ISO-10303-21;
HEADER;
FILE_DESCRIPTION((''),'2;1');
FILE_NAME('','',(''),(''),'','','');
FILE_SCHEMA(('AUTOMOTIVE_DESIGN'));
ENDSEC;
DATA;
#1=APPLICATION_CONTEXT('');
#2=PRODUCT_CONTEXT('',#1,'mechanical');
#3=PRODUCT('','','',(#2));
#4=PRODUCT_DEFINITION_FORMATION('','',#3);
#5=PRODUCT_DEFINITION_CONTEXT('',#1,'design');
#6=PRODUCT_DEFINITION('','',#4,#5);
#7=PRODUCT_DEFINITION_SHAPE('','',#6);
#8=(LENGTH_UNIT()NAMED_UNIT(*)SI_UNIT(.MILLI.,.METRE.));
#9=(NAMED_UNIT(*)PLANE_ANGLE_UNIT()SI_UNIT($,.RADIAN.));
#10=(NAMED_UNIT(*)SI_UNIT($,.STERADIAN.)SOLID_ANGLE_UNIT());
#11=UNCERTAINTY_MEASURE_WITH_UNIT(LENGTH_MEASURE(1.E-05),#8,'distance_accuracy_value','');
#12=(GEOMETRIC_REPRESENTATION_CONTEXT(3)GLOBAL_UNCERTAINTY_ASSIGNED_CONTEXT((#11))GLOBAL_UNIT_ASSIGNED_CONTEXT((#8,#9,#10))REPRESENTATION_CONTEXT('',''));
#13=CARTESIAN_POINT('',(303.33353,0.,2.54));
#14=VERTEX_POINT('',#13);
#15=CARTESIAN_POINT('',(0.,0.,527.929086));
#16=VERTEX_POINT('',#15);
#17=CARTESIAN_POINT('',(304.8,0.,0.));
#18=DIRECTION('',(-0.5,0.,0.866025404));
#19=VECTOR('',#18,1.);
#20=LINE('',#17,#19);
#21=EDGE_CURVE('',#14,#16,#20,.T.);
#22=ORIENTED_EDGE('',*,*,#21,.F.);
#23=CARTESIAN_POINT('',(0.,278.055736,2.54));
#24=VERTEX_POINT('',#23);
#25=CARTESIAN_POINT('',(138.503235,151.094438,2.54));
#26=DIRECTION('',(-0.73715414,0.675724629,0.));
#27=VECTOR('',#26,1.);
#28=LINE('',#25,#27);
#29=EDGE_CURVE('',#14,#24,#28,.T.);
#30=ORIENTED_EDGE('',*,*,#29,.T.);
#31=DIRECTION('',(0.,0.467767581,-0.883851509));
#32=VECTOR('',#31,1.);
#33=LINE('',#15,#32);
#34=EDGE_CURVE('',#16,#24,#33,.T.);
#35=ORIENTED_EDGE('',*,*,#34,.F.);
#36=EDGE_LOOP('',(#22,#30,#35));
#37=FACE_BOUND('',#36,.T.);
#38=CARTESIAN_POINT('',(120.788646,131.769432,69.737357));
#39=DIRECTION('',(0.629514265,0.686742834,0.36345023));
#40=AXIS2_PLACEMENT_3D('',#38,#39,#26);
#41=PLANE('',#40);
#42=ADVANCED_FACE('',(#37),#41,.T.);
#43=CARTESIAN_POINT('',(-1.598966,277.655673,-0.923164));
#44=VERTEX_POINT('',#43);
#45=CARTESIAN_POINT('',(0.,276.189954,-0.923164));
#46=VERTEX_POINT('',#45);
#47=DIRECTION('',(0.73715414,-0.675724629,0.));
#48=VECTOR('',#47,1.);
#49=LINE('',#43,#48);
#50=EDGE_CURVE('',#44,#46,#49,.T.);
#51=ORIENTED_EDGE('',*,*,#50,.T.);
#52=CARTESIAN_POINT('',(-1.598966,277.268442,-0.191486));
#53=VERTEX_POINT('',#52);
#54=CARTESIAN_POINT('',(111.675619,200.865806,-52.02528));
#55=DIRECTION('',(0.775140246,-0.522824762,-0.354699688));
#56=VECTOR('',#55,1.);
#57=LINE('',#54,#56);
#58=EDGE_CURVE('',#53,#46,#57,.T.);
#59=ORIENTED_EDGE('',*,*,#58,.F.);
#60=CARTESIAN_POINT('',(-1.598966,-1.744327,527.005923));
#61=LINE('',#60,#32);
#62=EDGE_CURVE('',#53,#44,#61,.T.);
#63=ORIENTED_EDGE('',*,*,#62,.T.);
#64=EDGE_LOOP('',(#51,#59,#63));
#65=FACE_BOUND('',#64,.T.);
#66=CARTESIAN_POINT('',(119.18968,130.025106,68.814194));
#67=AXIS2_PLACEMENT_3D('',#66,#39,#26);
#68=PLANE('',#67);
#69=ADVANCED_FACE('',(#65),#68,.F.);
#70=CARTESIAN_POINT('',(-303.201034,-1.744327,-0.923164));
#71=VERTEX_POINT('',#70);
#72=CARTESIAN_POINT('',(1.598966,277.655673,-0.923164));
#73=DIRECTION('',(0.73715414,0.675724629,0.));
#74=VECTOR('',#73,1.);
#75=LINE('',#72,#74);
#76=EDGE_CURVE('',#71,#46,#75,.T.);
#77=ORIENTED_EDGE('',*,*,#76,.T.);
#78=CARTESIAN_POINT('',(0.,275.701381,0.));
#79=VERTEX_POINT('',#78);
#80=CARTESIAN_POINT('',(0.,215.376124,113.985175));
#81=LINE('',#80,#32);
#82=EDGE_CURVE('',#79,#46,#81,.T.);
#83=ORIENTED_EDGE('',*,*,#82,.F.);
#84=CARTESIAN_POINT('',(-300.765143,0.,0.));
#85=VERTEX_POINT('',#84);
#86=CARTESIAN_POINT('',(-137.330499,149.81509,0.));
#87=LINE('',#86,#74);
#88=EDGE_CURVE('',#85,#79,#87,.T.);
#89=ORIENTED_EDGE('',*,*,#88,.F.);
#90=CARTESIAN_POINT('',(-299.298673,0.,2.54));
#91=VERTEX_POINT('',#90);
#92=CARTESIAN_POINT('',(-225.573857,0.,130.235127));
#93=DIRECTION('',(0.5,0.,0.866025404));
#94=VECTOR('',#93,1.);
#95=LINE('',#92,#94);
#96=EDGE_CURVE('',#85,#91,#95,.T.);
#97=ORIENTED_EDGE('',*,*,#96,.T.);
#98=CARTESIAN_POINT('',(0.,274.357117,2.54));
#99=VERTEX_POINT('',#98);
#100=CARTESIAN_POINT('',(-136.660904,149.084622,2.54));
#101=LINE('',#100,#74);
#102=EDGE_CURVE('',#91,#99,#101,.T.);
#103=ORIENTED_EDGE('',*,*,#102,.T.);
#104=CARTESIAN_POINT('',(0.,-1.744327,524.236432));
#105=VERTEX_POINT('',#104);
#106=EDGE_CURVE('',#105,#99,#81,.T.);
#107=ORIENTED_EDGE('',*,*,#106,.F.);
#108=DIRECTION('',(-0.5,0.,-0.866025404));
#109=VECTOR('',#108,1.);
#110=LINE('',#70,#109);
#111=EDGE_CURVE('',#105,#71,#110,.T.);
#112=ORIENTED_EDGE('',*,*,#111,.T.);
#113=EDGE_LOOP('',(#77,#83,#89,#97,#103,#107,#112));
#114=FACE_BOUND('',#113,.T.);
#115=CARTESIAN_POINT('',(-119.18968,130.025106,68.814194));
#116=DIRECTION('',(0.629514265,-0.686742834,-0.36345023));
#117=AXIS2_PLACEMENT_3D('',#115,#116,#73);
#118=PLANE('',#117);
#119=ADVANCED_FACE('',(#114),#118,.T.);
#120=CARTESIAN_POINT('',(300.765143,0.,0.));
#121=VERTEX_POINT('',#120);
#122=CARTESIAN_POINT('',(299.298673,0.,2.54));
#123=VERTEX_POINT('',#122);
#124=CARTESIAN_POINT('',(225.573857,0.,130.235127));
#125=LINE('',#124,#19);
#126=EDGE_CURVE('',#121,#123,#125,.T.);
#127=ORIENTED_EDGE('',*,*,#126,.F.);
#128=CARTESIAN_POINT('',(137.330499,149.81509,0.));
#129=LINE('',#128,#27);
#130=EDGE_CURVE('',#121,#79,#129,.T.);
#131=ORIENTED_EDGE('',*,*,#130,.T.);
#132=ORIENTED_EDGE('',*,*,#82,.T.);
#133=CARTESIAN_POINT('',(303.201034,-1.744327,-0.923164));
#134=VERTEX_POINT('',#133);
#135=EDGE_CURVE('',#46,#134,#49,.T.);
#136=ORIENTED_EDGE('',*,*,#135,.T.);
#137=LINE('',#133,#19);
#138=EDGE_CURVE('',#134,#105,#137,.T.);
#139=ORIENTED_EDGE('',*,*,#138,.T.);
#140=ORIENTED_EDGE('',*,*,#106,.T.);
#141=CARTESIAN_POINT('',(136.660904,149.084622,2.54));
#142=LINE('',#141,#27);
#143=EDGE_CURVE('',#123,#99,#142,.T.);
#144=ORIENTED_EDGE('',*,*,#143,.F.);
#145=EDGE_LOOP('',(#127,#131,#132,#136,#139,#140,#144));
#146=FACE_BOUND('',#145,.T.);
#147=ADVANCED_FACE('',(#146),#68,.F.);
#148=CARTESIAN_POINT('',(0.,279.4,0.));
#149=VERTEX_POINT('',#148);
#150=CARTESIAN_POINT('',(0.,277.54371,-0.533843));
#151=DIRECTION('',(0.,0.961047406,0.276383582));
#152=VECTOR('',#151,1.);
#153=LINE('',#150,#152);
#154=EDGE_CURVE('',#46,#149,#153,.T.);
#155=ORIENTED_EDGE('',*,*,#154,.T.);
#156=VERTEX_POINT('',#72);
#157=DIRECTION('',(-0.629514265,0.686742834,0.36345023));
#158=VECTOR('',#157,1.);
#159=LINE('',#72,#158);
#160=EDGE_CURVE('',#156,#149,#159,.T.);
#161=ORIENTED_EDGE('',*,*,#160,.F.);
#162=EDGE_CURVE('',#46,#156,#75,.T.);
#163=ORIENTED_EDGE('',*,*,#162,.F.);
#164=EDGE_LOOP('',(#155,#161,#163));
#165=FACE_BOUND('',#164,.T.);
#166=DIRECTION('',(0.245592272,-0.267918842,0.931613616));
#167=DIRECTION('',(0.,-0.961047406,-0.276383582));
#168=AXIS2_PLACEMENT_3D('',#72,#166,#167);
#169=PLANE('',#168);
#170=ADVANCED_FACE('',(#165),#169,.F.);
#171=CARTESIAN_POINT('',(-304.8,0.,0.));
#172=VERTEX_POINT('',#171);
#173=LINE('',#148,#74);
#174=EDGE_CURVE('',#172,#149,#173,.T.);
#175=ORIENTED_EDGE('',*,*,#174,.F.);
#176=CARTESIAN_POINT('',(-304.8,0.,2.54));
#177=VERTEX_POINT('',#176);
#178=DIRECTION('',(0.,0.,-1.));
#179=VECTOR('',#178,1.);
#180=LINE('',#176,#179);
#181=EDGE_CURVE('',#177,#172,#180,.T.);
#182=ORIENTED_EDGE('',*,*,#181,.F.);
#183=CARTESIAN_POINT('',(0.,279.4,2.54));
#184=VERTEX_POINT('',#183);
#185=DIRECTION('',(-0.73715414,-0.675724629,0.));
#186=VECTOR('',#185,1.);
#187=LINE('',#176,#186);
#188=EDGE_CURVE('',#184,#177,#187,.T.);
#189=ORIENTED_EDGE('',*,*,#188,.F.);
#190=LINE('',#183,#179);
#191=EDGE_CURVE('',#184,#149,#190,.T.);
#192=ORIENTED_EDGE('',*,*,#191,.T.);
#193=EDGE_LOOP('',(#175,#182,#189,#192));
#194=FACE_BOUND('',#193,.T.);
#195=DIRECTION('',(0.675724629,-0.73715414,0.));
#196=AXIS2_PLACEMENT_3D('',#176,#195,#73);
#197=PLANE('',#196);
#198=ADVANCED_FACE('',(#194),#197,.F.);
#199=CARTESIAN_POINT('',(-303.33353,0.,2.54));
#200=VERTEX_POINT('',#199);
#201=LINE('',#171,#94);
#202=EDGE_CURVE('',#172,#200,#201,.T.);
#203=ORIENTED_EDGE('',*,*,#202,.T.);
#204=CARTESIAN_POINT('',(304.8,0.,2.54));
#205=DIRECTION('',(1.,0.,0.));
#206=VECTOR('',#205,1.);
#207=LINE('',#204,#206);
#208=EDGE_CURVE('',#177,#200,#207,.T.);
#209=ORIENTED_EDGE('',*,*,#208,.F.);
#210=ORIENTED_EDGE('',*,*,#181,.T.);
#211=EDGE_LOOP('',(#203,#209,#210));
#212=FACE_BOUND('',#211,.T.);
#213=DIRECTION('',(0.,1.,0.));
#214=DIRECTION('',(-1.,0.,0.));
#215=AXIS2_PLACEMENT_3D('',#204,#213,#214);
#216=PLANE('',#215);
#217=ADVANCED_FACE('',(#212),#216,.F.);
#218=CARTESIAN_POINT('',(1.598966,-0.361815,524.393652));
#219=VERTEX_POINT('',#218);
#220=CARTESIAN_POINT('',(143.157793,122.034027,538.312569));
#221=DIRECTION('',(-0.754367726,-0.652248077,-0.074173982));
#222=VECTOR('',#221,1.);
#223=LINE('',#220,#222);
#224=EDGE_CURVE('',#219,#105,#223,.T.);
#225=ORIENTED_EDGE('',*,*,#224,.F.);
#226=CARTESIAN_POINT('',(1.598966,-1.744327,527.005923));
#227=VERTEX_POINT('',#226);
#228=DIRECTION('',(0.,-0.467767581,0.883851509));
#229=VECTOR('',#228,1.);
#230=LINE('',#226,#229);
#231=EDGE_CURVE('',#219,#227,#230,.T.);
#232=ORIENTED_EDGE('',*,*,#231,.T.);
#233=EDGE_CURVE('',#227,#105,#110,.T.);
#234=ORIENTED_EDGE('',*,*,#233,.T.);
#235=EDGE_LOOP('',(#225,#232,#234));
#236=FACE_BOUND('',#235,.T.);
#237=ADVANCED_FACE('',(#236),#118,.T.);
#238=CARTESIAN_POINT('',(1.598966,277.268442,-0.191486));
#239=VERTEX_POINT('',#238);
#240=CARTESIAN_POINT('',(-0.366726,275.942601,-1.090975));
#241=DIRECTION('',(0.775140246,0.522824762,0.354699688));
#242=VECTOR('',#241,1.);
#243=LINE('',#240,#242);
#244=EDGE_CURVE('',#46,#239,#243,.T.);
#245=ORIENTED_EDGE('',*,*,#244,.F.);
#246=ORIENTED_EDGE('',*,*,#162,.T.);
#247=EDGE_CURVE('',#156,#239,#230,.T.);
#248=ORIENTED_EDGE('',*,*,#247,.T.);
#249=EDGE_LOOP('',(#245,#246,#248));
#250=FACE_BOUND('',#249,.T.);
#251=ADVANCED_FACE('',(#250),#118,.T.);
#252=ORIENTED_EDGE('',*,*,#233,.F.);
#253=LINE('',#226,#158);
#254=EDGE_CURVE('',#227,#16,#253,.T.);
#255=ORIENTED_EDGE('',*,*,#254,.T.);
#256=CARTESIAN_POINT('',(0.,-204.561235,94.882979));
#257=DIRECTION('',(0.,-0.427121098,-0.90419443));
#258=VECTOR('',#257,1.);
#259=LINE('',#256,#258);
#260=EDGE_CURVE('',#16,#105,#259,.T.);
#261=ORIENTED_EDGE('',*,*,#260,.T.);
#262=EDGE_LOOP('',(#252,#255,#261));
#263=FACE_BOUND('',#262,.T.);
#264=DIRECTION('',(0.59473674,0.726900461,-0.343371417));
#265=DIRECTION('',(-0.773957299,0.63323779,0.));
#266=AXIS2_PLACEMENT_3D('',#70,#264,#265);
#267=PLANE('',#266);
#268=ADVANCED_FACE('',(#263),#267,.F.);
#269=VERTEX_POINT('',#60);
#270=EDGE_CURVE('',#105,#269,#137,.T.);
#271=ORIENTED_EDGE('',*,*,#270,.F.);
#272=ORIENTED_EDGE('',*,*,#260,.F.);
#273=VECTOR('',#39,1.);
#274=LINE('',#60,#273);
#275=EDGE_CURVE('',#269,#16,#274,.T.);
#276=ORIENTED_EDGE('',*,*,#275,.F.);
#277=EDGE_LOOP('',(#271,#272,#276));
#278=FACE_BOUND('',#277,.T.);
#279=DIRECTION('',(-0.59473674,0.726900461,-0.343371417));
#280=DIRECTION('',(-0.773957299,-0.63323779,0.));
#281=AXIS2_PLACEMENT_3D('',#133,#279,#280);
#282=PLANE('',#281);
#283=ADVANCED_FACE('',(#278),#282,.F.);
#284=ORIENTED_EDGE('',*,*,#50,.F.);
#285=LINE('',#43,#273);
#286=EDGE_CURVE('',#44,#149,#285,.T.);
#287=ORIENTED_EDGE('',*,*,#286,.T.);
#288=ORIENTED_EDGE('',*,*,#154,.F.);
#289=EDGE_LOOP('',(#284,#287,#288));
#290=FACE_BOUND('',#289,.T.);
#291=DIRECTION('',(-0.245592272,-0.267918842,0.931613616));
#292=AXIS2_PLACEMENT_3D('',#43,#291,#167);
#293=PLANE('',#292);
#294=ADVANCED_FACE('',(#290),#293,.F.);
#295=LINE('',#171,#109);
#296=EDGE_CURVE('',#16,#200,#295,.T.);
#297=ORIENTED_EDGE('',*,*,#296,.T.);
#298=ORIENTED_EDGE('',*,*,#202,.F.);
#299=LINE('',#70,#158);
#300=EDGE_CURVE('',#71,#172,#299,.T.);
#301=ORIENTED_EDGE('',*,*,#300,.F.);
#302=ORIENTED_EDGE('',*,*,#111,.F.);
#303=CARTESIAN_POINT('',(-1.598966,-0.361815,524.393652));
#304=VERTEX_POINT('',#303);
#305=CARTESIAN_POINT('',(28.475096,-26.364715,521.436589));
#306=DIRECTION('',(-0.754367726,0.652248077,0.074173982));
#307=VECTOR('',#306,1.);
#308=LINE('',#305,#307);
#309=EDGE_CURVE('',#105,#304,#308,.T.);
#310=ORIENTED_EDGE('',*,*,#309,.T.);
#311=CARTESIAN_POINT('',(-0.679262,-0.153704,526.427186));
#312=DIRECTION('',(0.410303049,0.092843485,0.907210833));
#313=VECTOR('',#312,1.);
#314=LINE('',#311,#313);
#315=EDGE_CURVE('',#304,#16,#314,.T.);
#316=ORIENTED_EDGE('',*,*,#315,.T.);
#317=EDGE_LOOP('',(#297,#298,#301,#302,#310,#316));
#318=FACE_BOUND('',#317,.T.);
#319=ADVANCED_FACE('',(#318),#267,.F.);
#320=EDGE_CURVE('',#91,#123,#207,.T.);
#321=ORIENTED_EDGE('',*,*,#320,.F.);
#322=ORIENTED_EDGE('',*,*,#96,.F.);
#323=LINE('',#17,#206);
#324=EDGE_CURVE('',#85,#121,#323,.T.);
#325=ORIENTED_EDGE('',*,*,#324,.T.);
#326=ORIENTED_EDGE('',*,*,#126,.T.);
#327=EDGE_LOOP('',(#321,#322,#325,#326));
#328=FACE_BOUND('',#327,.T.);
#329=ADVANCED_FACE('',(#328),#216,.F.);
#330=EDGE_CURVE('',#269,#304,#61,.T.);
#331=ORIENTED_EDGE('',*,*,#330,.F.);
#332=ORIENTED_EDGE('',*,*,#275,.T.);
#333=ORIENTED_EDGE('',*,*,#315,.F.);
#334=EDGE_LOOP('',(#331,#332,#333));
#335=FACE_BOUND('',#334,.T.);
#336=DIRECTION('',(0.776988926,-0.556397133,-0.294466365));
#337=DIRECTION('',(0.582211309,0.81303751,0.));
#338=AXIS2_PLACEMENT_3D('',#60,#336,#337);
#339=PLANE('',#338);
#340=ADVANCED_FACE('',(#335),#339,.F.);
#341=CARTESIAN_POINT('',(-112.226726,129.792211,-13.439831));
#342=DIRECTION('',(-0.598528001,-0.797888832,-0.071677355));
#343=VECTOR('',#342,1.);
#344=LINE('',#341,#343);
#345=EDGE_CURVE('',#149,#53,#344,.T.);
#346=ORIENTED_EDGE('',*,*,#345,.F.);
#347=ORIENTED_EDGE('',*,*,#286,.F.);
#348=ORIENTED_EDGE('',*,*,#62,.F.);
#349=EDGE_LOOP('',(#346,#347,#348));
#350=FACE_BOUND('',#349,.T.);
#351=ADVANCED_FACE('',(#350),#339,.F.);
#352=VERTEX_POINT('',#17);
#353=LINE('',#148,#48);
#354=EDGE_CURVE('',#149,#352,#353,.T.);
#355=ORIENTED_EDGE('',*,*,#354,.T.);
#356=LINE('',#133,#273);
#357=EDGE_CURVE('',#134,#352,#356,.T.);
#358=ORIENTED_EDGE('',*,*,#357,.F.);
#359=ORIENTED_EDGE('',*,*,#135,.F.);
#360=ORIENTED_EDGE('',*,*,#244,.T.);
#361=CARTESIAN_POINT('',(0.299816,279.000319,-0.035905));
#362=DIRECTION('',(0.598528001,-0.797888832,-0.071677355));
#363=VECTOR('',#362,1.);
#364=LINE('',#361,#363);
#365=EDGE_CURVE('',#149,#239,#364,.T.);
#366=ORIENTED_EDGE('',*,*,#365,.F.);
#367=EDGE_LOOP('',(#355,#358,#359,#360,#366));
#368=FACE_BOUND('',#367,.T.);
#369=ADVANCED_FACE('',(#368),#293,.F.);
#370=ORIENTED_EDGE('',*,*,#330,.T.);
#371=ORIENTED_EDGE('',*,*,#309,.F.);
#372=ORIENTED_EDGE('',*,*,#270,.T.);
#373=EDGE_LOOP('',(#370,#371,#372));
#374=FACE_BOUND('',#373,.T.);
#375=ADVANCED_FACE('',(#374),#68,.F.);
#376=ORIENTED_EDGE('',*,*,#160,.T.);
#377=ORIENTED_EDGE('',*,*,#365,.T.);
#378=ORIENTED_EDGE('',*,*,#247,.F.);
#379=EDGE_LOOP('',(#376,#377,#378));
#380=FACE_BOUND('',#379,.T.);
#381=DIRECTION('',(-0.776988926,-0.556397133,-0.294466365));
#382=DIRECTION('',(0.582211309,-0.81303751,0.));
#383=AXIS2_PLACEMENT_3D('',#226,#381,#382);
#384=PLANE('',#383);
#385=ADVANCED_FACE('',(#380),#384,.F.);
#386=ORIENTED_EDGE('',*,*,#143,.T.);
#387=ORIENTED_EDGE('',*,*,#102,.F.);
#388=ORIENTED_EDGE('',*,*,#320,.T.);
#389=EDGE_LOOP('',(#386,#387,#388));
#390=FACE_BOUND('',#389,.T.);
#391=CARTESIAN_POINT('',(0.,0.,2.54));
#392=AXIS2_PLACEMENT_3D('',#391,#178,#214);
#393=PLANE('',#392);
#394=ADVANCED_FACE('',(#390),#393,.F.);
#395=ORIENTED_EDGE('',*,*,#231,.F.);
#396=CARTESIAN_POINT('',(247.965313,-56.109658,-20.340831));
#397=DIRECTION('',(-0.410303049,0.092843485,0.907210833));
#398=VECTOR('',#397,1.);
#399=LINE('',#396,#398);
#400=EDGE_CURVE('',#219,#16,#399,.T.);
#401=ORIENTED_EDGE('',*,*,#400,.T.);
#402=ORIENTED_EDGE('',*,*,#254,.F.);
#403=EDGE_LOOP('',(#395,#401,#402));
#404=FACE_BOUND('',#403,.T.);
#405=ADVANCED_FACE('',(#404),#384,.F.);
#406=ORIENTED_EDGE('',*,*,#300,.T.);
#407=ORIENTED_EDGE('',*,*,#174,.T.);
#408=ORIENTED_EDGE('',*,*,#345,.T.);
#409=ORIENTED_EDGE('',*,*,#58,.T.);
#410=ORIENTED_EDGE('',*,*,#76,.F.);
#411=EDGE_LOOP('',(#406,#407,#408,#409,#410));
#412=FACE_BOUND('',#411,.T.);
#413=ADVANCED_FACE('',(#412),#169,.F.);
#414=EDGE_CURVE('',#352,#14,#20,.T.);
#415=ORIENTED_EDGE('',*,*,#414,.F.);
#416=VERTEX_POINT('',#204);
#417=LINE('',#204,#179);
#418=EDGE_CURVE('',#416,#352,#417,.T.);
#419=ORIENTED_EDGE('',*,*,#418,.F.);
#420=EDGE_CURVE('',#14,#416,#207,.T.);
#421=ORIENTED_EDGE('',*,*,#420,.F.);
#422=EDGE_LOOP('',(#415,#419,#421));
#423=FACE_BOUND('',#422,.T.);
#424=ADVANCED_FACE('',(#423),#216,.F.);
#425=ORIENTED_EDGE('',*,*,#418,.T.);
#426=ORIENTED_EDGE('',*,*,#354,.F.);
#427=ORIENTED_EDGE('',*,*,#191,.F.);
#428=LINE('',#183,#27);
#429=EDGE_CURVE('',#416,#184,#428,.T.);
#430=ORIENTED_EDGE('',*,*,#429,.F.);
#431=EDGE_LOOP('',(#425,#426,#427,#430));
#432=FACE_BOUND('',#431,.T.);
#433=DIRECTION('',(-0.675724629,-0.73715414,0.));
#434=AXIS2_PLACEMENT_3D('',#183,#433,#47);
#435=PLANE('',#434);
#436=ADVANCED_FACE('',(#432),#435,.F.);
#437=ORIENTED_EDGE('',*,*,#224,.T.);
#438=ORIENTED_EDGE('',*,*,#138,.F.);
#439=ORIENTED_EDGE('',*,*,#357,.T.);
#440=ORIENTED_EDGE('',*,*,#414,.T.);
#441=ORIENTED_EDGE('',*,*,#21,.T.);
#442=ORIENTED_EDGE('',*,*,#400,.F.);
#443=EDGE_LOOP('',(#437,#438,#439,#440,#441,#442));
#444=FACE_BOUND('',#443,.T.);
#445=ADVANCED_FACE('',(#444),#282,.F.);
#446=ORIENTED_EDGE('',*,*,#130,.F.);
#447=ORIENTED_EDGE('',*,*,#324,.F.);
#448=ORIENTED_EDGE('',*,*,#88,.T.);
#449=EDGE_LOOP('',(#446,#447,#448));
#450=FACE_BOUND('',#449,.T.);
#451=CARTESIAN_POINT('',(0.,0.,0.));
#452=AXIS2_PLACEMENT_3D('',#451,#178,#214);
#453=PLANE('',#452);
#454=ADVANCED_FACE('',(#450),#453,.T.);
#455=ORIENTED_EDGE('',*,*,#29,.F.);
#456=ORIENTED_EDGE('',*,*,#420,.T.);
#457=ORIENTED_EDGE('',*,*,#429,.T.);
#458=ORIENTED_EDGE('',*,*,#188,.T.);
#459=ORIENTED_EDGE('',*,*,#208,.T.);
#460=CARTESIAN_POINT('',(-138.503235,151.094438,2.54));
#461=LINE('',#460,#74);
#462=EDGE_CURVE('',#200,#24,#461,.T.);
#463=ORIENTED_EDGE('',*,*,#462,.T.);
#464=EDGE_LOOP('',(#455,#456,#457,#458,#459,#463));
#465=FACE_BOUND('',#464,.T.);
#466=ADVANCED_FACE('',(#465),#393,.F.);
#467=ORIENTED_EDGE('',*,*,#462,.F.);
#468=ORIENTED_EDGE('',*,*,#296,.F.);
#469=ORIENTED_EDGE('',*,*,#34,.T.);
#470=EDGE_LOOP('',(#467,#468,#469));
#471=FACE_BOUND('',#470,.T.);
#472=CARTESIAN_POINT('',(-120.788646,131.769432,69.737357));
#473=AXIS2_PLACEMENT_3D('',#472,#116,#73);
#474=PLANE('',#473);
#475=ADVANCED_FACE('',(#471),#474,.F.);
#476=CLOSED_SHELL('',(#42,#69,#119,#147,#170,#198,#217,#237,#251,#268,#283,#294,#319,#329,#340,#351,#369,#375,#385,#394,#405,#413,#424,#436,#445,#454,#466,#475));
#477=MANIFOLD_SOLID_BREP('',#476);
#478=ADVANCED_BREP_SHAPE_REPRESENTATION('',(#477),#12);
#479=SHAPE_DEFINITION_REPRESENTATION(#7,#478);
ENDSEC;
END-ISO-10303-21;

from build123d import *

# Parameters (mm, degrees)
BOSS_EXTRUDE1_DEPTH = 2.54
BOSS_EXTRUDE2_DEPTH = 2.54
BOSS_EXTRUDE3_DEPTH = 2.54


with BuildPart() as part:
    # Sketch6 → Boss-Extrude1 (new body)
    with BuildSketch(Plane(origin=(120.788646288, 131.769432314, 69.73735745), x_dir=(-0.7587184092087563, 0.44247091722357845, 0.47808562302066715), z_dir=(-0.6295142648161258, -0.6867428343448647, -0.3634502302502976))):
        Polygon((-231.257371127, -51.055743172), (252.395306061, -422.124803926), (123.626374272, 161.135037145), align=None)
    extrude(amount=BOSS_EXTRUDE1_DEPTH)

    # Sketch7 → Boss-Extrude2 (add)
    with BuildSketch(Plane(origin=(-120.788646288, 131.769432314, 69.73735745), x_dir=(-0.7587184092087562, -0.4424709172235786, -0.4780856230206672), z_dir=(0.629514264816126, -0.6867428343448646, -0.3634502302502976))):
        Polygon((231.257371127, -51.055743172), (-252.395306061, -422.124803926), (-123.626374272, 161.135037145), align=None)
    extrude(amount=BOSS_EXTRUDE2_DEPTH)

    # Sketch9 → Boss-Extrude3 (add)
    with BuildSketch(Plane.XY):
        Polygon((0, 279.4), (304.8, 0), (-304.8, 0), align=None)
    extrude(amount=BOSS_EXTRUDE3_DEPTH)


solid = part.part
